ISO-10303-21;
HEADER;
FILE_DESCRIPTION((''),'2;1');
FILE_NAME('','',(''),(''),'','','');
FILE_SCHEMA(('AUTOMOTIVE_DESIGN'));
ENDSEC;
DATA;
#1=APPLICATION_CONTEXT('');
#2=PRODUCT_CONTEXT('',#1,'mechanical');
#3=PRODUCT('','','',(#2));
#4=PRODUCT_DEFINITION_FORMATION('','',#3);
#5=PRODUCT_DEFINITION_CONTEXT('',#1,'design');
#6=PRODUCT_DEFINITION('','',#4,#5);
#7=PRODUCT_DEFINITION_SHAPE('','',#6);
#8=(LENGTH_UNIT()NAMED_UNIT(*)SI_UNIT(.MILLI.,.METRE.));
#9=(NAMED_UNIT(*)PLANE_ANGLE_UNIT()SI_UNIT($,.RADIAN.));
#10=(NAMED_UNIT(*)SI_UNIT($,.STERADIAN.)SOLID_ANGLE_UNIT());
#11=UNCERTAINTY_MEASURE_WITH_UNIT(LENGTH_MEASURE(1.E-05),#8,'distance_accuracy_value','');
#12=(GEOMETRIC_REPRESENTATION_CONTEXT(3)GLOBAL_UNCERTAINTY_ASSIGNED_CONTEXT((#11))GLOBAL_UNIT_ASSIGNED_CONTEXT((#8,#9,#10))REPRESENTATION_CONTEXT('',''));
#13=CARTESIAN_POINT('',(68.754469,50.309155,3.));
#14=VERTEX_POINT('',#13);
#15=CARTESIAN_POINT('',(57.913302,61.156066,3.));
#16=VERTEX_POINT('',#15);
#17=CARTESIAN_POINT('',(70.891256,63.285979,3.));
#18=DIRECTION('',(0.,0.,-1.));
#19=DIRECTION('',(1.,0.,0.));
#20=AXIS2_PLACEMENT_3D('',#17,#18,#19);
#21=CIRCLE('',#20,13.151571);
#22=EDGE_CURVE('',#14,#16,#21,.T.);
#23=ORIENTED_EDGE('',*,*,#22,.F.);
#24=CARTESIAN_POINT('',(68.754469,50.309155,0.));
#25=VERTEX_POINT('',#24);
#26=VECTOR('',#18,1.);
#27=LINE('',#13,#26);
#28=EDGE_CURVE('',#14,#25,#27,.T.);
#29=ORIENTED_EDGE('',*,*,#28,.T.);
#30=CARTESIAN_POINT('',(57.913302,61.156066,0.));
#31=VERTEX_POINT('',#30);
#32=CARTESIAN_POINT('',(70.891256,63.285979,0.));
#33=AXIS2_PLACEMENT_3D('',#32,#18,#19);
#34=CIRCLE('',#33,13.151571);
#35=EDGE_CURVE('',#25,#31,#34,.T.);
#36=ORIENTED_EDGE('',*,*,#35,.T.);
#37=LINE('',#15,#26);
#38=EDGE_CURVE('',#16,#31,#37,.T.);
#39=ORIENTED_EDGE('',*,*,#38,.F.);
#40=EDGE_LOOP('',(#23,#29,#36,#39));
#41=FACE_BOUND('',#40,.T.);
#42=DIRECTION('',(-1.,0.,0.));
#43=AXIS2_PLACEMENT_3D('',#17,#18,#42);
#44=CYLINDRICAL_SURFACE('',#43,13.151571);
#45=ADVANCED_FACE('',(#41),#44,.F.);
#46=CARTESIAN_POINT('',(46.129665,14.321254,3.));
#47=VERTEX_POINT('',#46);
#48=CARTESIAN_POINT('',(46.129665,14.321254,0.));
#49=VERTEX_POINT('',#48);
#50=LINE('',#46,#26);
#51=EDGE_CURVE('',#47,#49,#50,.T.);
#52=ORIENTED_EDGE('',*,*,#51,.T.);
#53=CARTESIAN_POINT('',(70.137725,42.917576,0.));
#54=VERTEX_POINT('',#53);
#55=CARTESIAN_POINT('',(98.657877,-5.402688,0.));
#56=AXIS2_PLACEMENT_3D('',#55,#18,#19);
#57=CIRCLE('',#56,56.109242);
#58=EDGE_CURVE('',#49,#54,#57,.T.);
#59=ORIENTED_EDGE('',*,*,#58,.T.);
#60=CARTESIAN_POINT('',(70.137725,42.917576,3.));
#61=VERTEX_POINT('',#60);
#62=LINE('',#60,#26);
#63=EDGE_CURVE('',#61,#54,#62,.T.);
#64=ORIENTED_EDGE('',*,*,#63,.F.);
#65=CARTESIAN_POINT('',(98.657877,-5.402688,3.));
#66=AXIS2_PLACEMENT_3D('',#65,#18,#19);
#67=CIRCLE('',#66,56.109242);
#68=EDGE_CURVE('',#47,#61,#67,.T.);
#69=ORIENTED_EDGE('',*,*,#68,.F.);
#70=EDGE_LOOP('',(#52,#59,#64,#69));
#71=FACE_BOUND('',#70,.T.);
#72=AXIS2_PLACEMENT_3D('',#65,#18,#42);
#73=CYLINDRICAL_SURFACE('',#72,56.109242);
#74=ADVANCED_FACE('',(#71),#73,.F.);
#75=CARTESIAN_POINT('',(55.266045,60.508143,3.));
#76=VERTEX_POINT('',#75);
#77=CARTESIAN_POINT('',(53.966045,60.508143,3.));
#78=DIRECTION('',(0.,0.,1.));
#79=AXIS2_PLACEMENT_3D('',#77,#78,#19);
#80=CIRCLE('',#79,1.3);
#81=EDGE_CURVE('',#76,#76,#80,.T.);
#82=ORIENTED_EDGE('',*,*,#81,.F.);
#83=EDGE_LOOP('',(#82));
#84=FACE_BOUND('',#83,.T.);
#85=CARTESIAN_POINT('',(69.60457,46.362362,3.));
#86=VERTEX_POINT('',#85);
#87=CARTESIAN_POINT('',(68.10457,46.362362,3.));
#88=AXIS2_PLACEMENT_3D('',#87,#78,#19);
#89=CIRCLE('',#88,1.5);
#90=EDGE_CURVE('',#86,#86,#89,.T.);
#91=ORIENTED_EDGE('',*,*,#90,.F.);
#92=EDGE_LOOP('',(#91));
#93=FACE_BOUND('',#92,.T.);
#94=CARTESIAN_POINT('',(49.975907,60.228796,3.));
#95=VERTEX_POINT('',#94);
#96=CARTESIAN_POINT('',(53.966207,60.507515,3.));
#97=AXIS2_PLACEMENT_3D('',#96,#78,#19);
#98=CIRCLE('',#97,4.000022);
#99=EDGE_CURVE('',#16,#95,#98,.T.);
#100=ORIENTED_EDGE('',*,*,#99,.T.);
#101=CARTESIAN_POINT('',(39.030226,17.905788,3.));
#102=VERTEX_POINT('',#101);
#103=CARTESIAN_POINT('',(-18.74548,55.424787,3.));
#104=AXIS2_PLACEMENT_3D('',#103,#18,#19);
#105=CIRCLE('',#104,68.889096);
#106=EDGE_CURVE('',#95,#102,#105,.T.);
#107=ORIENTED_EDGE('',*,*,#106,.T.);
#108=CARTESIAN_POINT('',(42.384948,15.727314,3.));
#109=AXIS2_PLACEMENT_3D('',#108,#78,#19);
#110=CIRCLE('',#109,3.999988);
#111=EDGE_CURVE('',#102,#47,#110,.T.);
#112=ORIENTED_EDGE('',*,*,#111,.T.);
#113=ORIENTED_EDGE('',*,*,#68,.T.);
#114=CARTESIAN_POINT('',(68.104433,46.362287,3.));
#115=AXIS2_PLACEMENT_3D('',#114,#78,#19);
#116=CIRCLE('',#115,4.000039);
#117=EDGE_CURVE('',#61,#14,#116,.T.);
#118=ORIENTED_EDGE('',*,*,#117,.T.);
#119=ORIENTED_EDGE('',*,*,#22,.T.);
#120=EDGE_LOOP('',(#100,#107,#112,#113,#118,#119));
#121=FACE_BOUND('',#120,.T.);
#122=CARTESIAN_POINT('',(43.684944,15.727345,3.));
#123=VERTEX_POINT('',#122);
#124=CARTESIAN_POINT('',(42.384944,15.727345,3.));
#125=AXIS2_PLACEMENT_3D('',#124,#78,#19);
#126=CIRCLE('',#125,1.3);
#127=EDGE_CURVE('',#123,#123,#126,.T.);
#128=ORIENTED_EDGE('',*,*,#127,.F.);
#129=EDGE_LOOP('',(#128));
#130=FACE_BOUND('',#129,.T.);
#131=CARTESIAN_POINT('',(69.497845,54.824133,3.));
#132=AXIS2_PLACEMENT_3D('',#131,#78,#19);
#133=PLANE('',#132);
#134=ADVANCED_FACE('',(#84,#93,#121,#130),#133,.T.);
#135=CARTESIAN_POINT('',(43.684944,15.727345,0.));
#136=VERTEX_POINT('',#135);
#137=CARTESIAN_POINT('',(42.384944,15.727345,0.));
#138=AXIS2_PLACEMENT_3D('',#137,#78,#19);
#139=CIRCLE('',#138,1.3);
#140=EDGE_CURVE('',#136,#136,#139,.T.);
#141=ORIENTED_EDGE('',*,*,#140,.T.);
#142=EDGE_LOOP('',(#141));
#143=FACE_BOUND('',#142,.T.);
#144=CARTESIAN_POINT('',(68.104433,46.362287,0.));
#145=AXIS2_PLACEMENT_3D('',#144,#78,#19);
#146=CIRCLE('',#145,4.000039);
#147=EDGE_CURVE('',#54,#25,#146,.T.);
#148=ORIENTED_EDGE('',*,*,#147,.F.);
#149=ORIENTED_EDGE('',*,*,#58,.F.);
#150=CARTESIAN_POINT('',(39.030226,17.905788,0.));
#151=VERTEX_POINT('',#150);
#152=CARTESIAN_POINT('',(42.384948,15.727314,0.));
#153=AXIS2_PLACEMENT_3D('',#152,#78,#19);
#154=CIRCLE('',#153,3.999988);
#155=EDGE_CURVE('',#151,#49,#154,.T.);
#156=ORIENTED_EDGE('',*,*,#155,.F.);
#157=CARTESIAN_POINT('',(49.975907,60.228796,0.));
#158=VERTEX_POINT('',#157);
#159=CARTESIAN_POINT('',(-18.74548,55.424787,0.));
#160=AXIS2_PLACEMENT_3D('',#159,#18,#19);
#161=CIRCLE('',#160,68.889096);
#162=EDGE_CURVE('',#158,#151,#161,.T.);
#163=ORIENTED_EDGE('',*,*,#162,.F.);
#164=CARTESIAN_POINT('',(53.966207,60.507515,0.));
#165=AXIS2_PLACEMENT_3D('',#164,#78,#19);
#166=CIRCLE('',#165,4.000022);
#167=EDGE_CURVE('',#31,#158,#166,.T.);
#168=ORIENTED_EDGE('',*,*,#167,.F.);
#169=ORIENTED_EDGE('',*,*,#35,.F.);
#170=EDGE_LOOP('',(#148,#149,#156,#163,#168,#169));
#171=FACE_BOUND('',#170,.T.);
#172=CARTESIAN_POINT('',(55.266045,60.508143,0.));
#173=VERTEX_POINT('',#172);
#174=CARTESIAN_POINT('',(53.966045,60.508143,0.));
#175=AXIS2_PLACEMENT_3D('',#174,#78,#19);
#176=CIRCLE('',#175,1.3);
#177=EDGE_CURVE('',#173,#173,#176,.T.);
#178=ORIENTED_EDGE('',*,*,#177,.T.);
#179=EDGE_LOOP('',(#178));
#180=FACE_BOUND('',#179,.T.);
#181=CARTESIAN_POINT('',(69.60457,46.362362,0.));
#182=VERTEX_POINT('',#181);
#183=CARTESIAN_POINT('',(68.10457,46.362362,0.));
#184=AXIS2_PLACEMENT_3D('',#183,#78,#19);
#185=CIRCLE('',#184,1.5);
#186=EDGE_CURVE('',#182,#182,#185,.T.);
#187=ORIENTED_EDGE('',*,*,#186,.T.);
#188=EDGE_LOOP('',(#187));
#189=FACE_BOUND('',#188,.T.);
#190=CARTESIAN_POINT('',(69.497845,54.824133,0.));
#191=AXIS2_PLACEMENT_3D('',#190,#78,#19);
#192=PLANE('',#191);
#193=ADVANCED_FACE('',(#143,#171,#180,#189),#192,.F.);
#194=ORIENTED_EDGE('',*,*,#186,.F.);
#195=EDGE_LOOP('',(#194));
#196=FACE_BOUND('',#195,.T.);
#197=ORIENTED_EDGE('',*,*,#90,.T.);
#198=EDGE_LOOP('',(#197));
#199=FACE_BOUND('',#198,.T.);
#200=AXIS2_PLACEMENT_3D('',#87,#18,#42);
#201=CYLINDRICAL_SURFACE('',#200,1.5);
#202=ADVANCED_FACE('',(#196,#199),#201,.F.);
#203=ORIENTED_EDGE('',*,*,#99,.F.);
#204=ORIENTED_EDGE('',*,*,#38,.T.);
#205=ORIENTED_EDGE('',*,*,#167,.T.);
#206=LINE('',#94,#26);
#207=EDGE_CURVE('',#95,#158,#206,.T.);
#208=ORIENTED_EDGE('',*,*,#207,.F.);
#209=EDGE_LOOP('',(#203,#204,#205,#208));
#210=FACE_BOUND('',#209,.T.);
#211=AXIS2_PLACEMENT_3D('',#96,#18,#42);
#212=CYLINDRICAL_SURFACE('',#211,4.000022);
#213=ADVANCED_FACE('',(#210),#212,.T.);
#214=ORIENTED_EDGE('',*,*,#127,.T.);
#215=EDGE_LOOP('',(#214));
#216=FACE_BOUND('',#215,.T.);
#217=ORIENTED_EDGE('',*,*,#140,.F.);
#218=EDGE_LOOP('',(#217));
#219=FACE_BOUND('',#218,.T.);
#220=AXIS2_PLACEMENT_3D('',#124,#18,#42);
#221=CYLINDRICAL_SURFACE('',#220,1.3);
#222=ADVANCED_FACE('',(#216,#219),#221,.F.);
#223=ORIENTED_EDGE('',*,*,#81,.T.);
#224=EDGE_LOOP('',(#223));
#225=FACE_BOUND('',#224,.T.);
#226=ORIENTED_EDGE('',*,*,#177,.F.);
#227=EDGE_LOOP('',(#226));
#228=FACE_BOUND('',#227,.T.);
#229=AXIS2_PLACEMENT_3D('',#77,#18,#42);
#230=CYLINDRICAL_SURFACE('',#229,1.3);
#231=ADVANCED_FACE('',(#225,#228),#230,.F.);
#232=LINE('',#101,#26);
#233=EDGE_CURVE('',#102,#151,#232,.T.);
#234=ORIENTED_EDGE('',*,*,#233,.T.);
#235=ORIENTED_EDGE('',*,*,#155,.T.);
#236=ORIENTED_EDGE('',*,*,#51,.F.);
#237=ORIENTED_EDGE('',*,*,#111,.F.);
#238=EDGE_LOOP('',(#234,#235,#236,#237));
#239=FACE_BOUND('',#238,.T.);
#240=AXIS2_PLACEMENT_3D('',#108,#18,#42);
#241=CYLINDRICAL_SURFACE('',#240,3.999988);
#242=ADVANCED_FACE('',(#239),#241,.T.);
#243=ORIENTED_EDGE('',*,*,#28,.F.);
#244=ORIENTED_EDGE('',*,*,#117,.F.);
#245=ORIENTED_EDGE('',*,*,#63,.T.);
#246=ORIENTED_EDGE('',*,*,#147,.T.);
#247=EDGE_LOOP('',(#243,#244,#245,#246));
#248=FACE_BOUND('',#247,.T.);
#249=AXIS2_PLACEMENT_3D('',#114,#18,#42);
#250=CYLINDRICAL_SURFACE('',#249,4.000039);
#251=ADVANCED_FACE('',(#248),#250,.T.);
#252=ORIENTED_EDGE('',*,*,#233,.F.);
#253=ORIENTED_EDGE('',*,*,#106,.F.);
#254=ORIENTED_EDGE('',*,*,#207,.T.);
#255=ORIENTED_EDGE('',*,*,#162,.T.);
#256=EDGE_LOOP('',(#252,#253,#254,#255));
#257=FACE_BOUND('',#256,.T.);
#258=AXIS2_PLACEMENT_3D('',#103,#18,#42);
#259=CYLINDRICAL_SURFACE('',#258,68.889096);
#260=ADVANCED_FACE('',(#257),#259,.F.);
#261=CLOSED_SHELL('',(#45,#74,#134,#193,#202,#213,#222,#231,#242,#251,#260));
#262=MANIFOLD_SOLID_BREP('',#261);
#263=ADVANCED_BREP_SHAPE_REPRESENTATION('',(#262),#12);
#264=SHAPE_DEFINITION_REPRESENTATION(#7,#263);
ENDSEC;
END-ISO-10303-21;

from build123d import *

# Parameters (mm, degrees)
MODEL_R             = 1.300000002
MODEL_R_2           = 1.500000003
BOSS_EXTRUDE1_DEPTH = 3


with BuildPart() as part:
    # Model → Boss-Extrude1 (new body)
    with BuildSketch(Plane.XY):
        with BuildLine():
            ThreePointArc((57.913301974, 61.156066436), (53.502068591, 64.480518249), (49.975907149, 60.228795621))
            ThreePointArc((49.975907149, 60.228795621), (47.94925686, 38.176029403), (39.030226452, 17.905787524))
            ThreePointArc((39.030226452, 17.905787524), (40.582105252, 12.156647321), (46.129664865, 14.321254263))
            ThreePointArc((46.129664865, 14.321254263), (55.685249441, 30.675009463), (70.137725469, 42.917576284))
            ThreePointArc((70.137725469, 42.917576284), (72.036216679, 47.098079429), (68.754469063, 50.309155261))
            ThreePointArc((68.754469063, 50.309155261), (61.589228346, 53.988877576), (57.913301974, 61.156066436))
        make_face()
        with Locations((42.384943632, 15.727344886)):
            Circle(MODEL_R, mode=Mode.SUBTRACT)
        with Locations((53.966045378, 60.508142659)):
            Circle(MODEL_R, mode=Mode.SUBTRACT)
        with Locations((68.104570202, 46.36236227)):
            Circle(MODEL_R_2, mode=Mode.SUBTRACT)
    extrude(amount=BOSS_EXTRUDE1_DEPTH)


solid = part.part
